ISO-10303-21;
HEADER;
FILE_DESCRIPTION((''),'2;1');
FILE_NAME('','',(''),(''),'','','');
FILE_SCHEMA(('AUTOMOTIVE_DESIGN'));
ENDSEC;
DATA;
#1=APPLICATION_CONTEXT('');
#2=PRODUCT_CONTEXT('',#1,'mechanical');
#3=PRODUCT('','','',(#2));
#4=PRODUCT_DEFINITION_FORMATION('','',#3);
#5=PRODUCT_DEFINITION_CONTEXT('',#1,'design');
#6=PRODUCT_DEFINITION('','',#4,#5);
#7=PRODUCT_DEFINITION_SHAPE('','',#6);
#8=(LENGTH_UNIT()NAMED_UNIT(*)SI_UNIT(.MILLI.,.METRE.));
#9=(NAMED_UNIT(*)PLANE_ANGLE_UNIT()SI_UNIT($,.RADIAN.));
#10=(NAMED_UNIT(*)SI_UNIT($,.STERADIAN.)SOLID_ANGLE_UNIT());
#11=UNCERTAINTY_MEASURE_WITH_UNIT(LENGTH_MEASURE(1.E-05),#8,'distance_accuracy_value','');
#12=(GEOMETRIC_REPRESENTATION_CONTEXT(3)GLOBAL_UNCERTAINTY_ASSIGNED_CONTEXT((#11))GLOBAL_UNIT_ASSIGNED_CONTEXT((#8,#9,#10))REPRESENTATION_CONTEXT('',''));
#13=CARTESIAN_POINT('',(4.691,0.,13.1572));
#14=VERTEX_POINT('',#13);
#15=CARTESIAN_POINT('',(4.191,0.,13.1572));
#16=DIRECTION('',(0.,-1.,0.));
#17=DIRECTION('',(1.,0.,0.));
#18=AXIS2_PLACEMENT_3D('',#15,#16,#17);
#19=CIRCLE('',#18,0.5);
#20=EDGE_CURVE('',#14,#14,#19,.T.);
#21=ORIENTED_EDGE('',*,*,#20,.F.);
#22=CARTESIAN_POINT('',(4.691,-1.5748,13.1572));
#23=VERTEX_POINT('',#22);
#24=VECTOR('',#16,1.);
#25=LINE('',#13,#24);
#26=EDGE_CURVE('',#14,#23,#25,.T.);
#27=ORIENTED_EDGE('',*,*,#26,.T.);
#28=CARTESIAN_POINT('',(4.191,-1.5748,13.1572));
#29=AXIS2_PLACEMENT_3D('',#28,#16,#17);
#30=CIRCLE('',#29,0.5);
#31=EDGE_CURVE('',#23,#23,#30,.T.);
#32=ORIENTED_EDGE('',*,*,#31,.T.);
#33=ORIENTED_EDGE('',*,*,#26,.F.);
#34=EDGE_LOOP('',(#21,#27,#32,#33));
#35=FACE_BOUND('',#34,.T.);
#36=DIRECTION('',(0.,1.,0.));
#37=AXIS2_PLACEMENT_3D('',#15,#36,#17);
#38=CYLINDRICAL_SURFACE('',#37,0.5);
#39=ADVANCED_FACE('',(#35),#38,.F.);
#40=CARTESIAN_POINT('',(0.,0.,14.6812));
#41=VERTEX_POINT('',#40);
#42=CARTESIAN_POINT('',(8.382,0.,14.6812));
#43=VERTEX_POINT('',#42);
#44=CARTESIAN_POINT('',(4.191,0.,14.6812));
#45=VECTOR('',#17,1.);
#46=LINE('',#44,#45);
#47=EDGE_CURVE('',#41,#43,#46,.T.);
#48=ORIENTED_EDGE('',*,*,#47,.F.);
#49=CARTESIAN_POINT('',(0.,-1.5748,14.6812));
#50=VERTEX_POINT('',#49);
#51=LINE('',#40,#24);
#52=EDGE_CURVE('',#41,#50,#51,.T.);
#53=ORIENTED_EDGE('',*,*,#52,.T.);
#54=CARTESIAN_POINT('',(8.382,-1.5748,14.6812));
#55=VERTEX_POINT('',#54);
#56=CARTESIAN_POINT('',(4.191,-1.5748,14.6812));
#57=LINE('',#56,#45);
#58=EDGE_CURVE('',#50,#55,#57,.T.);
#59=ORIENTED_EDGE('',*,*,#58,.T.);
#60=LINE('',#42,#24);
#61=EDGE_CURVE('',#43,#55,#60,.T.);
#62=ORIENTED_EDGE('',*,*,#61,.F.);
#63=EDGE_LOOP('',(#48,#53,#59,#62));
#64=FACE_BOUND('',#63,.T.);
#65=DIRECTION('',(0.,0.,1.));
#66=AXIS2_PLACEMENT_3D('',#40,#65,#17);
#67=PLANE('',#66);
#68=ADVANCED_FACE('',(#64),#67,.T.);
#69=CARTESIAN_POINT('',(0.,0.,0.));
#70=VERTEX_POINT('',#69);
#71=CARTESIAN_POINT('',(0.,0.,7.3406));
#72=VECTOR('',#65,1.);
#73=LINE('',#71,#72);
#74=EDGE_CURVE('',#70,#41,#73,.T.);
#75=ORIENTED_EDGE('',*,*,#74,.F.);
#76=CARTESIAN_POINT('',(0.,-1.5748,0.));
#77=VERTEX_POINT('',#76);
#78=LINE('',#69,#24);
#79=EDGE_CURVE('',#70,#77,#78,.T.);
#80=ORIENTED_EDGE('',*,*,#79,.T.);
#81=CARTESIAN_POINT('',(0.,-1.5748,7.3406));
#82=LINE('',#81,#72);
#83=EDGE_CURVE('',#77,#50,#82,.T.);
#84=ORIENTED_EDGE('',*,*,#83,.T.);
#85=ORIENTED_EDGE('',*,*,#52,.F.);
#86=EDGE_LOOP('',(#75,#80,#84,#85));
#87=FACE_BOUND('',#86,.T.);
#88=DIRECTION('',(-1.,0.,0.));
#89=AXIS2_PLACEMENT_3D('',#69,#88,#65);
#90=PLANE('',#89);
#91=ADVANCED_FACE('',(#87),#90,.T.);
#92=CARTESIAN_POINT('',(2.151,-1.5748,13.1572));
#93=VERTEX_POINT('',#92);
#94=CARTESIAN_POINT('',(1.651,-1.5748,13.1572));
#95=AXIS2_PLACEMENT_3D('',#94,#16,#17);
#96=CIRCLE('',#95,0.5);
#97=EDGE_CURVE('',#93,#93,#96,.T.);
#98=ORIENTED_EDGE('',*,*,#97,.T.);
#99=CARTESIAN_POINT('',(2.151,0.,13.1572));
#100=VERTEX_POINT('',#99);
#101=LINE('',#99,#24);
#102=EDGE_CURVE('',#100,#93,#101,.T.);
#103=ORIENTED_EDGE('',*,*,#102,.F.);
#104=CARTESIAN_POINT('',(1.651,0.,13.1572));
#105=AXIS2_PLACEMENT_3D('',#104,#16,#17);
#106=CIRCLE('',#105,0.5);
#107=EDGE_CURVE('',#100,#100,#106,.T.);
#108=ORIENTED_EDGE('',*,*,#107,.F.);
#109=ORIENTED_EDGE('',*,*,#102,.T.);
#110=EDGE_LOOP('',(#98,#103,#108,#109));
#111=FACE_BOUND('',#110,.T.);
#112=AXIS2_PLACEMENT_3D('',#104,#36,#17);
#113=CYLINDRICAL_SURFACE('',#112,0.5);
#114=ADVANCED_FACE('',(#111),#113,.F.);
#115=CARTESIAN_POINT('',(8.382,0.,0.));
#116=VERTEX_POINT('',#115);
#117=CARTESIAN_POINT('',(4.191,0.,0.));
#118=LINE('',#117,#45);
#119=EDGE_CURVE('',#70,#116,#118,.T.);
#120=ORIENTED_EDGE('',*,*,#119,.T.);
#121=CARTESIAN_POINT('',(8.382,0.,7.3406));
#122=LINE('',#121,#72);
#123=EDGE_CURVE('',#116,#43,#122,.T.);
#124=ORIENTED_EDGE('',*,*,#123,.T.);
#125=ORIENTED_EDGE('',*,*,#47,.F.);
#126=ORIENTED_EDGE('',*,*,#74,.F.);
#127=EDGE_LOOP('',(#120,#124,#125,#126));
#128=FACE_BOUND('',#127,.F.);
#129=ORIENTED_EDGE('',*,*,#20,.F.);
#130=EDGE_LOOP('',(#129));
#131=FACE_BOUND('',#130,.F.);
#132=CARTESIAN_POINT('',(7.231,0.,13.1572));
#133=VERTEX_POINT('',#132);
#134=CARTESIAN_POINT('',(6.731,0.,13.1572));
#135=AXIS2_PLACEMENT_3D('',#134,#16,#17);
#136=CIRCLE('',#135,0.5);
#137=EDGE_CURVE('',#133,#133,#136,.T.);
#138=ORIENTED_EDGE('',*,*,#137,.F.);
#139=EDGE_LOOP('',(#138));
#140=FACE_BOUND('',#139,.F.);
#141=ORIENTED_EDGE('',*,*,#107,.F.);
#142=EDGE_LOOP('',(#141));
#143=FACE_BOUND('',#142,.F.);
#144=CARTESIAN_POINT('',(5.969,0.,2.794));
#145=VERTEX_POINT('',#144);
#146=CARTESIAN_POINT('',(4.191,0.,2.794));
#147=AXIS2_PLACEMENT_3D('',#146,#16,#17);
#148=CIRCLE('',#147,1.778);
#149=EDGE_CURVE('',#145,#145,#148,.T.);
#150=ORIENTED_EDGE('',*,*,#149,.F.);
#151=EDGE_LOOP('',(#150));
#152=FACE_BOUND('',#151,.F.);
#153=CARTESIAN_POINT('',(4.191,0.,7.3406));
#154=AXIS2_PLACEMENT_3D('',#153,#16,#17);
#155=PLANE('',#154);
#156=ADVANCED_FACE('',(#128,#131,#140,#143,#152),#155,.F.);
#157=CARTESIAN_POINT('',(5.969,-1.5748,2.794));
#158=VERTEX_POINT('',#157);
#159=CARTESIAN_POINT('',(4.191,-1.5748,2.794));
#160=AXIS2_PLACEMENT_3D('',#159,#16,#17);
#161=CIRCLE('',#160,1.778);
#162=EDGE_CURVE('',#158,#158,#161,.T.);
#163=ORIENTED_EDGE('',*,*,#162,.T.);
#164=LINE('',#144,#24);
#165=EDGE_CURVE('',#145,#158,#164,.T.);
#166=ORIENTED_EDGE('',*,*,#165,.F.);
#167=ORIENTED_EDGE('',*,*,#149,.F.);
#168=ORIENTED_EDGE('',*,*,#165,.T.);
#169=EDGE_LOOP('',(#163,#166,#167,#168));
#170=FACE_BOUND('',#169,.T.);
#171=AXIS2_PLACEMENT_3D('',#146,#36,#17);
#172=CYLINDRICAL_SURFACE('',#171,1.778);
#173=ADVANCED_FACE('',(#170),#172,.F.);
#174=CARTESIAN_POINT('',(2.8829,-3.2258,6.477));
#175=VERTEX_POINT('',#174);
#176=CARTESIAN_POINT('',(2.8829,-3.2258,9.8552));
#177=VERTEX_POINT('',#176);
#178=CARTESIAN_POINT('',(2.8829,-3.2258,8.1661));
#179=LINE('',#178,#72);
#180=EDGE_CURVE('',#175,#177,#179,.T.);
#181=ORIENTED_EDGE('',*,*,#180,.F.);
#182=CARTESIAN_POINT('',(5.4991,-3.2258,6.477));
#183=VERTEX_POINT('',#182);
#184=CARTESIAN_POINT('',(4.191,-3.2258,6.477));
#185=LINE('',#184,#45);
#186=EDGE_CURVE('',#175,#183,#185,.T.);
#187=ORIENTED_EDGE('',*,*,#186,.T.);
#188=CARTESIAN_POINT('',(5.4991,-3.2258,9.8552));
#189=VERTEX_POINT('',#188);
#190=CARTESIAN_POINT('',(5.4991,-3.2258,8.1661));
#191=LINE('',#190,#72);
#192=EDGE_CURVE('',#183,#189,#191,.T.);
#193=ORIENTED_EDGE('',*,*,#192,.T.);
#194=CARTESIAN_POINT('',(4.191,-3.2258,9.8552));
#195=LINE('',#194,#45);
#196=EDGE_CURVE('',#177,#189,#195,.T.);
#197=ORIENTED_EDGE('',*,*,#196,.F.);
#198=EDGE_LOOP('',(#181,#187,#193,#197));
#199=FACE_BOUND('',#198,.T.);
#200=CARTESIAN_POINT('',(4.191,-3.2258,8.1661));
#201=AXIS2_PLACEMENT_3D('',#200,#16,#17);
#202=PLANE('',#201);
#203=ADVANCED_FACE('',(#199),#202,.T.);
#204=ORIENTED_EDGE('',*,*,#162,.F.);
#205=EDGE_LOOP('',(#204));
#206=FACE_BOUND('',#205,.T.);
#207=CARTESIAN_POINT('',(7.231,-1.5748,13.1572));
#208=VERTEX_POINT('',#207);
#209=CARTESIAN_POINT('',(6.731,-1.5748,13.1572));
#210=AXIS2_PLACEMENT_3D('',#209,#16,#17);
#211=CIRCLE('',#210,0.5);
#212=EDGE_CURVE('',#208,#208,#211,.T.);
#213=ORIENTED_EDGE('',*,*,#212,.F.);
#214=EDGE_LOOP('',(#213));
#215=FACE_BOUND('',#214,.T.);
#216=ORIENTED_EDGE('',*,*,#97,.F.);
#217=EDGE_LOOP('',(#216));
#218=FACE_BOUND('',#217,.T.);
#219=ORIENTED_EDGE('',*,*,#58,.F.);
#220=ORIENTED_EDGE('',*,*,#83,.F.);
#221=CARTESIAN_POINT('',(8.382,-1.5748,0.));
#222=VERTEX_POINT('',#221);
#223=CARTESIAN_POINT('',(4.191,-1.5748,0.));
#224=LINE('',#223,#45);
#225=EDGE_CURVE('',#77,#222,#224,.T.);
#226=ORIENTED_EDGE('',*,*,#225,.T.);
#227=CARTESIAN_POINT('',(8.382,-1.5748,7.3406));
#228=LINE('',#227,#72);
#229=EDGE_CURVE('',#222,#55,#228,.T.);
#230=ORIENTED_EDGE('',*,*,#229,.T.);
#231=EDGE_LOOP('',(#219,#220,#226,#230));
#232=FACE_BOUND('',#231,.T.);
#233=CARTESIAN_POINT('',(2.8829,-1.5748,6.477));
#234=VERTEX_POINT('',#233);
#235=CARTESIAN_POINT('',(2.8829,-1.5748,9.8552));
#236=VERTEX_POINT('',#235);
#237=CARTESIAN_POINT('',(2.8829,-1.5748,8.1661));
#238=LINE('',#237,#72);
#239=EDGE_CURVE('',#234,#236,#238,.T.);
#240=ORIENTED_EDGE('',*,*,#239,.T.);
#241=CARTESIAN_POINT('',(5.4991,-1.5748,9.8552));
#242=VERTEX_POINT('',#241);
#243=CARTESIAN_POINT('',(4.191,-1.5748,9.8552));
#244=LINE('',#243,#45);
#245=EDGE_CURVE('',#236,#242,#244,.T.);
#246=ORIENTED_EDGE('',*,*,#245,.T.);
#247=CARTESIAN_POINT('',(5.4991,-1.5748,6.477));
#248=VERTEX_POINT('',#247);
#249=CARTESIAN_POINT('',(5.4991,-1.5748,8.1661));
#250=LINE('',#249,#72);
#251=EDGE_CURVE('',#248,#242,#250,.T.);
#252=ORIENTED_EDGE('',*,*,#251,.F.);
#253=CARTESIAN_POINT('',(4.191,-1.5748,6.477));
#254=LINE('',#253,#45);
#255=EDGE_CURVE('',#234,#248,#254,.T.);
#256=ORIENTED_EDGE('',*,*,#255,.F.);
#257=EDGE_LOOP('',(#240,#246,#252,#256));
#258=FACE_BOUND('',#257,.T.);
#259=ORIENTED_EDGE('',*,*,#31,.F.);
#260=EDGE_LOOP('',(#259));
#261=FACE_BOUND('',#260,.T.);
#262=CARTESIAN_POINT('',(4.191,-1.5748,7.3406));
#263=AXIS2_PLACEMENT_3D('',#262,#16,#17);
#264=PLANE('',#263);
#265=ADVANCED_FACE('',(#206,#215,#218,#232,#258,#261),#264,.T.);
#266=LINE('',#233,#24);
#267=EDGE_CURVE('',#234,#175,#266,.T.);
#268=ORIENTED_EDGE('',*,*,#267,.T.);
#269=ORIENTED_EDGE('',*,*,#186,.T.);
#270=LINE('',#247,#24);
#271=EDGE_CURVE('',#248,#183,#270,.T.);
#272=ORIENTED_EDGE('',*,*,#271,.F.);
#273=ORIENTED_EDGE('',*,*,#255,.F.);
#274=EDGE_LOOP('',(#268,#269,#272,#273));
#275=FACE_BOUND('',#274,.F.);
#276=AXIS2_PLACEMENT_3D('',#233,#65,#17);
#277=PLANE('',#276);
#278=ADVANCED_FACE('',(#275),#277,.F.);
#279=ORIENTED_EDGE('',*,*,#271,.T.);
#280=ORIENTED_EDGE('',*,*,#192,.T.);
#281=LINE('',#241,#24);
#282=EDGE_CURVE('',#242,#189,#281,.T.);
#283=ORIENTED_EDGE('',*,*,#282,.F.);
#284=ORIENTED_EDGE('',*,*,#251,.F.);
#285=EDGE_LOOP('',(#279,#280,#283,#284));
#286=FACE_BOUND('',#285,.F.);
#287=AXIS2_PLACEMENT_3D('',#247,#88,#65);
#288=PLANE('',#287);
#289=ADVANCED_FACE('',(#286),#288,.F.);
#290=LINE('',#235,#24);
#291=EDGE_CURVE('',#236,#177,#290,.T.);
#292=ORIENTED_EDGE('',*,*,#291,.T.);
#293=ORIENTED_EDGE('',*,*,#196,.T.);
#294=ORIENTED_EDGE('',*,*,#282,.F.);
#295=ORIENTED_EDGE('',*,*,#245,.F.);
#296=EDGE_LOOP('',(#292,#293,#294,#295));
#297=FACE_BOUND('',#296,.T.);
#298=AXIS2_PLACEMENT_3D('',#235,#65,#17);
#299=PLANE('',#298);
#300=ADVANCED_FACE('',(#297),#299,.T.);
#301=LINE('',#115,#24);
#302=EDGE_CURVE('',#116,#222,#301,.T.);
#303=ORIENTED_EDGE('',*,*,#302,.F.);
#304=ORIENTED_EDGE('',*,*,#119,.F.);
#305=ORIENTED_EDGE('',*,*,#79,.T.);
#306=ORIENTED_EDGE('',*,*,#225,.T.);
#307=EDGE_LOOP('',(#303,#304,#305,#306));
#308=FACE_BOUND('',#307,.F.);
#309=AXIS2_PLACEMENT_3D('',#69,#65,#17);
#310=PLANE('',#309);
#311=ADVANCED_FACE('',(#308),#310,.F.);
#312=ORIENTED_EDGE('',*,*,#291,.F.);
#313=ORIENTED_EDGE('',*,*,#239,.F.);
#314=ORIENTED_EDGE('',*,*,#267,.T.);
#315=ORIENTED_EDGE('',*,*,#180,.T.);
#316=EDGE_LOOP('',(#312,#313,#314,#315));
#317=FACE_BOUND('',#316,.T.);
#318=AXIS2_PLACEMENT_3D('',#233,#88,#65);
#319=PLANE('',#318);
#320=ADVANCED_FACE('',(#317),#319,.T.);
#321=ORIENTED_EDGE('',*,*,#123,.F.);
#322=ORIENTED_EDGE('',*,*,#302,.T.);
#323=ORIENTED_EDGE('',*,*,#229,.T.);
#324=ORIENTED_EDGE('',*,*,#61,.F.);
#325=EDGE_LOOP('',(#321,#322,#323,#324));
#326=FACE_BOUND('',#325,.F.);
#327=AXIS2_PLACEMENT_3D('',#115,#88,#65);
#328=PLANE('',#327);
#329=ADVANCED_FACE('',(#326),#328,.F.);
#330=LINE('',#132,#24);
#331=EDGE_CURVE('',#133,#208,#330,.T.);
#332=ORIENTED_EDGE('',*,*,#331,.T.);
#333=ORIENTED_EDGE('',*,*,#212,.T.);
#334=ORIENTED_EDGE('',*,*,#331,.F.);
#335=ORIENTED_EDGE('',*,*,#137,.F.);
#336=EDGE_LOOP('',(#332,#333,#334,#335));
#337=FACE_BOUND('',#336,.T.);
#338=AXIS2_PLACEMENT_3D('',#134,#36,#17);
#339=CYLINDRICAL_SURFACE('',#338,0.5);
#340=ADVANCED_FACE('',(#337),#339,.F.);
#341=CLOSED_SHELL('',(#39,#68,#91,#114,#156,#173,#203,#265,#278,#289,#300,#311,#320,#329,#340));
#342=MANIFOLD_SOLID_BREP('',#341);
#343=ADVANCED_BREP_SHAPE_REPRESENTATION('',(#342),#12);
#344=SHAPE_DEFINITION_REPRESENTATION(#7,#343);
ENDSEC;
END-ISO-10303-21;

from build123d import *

# Parameters (mm, degrees)
F0_W     = 8.382
F0_H     = 14.6812
F0_R     = 1.778
F0_R_2   = 0.5
F1_DEPTH = 1.5748
F2_W     = 2.6162
F2_H     = 3.3782
F3_DEPTH = 1.651


with BuildPart() as f1:
    # F0 (on Front) → F1 (new body)
    with BuildSketch(Plane.XZ):
        with Locations((4.191, 7.3406)):
            Rectangle(F0_W, F0_H)
        with Locations((4.191, 2.794)):
            Circle(F0_R, mode=Mode.SUBTRACT)
        with Locations((1.651, 13.1572)):
            Circle(F0_R_2, mode=Mode.SUBTRACT)
        with Locations((4.191, 13.1572)):
            Circle(F0_R_2, mode=Mode.SUBTRACT)
        with Locations((6.731, 13.1572)):
            Circle(F0_R_2, mode=Mode.SUBTRACT)
    extrude(amount=F1_DEPTH)

    # F2 (on face) → F3 (join)
    with BuildSketch(Plane.XZ.offset(1.5748)):
        with Locations((4.191, 8.1661)):
            Rectangle(F2_W, F2_H)
    extrude(amount=F3_DEPTH)


solid = f1.part
